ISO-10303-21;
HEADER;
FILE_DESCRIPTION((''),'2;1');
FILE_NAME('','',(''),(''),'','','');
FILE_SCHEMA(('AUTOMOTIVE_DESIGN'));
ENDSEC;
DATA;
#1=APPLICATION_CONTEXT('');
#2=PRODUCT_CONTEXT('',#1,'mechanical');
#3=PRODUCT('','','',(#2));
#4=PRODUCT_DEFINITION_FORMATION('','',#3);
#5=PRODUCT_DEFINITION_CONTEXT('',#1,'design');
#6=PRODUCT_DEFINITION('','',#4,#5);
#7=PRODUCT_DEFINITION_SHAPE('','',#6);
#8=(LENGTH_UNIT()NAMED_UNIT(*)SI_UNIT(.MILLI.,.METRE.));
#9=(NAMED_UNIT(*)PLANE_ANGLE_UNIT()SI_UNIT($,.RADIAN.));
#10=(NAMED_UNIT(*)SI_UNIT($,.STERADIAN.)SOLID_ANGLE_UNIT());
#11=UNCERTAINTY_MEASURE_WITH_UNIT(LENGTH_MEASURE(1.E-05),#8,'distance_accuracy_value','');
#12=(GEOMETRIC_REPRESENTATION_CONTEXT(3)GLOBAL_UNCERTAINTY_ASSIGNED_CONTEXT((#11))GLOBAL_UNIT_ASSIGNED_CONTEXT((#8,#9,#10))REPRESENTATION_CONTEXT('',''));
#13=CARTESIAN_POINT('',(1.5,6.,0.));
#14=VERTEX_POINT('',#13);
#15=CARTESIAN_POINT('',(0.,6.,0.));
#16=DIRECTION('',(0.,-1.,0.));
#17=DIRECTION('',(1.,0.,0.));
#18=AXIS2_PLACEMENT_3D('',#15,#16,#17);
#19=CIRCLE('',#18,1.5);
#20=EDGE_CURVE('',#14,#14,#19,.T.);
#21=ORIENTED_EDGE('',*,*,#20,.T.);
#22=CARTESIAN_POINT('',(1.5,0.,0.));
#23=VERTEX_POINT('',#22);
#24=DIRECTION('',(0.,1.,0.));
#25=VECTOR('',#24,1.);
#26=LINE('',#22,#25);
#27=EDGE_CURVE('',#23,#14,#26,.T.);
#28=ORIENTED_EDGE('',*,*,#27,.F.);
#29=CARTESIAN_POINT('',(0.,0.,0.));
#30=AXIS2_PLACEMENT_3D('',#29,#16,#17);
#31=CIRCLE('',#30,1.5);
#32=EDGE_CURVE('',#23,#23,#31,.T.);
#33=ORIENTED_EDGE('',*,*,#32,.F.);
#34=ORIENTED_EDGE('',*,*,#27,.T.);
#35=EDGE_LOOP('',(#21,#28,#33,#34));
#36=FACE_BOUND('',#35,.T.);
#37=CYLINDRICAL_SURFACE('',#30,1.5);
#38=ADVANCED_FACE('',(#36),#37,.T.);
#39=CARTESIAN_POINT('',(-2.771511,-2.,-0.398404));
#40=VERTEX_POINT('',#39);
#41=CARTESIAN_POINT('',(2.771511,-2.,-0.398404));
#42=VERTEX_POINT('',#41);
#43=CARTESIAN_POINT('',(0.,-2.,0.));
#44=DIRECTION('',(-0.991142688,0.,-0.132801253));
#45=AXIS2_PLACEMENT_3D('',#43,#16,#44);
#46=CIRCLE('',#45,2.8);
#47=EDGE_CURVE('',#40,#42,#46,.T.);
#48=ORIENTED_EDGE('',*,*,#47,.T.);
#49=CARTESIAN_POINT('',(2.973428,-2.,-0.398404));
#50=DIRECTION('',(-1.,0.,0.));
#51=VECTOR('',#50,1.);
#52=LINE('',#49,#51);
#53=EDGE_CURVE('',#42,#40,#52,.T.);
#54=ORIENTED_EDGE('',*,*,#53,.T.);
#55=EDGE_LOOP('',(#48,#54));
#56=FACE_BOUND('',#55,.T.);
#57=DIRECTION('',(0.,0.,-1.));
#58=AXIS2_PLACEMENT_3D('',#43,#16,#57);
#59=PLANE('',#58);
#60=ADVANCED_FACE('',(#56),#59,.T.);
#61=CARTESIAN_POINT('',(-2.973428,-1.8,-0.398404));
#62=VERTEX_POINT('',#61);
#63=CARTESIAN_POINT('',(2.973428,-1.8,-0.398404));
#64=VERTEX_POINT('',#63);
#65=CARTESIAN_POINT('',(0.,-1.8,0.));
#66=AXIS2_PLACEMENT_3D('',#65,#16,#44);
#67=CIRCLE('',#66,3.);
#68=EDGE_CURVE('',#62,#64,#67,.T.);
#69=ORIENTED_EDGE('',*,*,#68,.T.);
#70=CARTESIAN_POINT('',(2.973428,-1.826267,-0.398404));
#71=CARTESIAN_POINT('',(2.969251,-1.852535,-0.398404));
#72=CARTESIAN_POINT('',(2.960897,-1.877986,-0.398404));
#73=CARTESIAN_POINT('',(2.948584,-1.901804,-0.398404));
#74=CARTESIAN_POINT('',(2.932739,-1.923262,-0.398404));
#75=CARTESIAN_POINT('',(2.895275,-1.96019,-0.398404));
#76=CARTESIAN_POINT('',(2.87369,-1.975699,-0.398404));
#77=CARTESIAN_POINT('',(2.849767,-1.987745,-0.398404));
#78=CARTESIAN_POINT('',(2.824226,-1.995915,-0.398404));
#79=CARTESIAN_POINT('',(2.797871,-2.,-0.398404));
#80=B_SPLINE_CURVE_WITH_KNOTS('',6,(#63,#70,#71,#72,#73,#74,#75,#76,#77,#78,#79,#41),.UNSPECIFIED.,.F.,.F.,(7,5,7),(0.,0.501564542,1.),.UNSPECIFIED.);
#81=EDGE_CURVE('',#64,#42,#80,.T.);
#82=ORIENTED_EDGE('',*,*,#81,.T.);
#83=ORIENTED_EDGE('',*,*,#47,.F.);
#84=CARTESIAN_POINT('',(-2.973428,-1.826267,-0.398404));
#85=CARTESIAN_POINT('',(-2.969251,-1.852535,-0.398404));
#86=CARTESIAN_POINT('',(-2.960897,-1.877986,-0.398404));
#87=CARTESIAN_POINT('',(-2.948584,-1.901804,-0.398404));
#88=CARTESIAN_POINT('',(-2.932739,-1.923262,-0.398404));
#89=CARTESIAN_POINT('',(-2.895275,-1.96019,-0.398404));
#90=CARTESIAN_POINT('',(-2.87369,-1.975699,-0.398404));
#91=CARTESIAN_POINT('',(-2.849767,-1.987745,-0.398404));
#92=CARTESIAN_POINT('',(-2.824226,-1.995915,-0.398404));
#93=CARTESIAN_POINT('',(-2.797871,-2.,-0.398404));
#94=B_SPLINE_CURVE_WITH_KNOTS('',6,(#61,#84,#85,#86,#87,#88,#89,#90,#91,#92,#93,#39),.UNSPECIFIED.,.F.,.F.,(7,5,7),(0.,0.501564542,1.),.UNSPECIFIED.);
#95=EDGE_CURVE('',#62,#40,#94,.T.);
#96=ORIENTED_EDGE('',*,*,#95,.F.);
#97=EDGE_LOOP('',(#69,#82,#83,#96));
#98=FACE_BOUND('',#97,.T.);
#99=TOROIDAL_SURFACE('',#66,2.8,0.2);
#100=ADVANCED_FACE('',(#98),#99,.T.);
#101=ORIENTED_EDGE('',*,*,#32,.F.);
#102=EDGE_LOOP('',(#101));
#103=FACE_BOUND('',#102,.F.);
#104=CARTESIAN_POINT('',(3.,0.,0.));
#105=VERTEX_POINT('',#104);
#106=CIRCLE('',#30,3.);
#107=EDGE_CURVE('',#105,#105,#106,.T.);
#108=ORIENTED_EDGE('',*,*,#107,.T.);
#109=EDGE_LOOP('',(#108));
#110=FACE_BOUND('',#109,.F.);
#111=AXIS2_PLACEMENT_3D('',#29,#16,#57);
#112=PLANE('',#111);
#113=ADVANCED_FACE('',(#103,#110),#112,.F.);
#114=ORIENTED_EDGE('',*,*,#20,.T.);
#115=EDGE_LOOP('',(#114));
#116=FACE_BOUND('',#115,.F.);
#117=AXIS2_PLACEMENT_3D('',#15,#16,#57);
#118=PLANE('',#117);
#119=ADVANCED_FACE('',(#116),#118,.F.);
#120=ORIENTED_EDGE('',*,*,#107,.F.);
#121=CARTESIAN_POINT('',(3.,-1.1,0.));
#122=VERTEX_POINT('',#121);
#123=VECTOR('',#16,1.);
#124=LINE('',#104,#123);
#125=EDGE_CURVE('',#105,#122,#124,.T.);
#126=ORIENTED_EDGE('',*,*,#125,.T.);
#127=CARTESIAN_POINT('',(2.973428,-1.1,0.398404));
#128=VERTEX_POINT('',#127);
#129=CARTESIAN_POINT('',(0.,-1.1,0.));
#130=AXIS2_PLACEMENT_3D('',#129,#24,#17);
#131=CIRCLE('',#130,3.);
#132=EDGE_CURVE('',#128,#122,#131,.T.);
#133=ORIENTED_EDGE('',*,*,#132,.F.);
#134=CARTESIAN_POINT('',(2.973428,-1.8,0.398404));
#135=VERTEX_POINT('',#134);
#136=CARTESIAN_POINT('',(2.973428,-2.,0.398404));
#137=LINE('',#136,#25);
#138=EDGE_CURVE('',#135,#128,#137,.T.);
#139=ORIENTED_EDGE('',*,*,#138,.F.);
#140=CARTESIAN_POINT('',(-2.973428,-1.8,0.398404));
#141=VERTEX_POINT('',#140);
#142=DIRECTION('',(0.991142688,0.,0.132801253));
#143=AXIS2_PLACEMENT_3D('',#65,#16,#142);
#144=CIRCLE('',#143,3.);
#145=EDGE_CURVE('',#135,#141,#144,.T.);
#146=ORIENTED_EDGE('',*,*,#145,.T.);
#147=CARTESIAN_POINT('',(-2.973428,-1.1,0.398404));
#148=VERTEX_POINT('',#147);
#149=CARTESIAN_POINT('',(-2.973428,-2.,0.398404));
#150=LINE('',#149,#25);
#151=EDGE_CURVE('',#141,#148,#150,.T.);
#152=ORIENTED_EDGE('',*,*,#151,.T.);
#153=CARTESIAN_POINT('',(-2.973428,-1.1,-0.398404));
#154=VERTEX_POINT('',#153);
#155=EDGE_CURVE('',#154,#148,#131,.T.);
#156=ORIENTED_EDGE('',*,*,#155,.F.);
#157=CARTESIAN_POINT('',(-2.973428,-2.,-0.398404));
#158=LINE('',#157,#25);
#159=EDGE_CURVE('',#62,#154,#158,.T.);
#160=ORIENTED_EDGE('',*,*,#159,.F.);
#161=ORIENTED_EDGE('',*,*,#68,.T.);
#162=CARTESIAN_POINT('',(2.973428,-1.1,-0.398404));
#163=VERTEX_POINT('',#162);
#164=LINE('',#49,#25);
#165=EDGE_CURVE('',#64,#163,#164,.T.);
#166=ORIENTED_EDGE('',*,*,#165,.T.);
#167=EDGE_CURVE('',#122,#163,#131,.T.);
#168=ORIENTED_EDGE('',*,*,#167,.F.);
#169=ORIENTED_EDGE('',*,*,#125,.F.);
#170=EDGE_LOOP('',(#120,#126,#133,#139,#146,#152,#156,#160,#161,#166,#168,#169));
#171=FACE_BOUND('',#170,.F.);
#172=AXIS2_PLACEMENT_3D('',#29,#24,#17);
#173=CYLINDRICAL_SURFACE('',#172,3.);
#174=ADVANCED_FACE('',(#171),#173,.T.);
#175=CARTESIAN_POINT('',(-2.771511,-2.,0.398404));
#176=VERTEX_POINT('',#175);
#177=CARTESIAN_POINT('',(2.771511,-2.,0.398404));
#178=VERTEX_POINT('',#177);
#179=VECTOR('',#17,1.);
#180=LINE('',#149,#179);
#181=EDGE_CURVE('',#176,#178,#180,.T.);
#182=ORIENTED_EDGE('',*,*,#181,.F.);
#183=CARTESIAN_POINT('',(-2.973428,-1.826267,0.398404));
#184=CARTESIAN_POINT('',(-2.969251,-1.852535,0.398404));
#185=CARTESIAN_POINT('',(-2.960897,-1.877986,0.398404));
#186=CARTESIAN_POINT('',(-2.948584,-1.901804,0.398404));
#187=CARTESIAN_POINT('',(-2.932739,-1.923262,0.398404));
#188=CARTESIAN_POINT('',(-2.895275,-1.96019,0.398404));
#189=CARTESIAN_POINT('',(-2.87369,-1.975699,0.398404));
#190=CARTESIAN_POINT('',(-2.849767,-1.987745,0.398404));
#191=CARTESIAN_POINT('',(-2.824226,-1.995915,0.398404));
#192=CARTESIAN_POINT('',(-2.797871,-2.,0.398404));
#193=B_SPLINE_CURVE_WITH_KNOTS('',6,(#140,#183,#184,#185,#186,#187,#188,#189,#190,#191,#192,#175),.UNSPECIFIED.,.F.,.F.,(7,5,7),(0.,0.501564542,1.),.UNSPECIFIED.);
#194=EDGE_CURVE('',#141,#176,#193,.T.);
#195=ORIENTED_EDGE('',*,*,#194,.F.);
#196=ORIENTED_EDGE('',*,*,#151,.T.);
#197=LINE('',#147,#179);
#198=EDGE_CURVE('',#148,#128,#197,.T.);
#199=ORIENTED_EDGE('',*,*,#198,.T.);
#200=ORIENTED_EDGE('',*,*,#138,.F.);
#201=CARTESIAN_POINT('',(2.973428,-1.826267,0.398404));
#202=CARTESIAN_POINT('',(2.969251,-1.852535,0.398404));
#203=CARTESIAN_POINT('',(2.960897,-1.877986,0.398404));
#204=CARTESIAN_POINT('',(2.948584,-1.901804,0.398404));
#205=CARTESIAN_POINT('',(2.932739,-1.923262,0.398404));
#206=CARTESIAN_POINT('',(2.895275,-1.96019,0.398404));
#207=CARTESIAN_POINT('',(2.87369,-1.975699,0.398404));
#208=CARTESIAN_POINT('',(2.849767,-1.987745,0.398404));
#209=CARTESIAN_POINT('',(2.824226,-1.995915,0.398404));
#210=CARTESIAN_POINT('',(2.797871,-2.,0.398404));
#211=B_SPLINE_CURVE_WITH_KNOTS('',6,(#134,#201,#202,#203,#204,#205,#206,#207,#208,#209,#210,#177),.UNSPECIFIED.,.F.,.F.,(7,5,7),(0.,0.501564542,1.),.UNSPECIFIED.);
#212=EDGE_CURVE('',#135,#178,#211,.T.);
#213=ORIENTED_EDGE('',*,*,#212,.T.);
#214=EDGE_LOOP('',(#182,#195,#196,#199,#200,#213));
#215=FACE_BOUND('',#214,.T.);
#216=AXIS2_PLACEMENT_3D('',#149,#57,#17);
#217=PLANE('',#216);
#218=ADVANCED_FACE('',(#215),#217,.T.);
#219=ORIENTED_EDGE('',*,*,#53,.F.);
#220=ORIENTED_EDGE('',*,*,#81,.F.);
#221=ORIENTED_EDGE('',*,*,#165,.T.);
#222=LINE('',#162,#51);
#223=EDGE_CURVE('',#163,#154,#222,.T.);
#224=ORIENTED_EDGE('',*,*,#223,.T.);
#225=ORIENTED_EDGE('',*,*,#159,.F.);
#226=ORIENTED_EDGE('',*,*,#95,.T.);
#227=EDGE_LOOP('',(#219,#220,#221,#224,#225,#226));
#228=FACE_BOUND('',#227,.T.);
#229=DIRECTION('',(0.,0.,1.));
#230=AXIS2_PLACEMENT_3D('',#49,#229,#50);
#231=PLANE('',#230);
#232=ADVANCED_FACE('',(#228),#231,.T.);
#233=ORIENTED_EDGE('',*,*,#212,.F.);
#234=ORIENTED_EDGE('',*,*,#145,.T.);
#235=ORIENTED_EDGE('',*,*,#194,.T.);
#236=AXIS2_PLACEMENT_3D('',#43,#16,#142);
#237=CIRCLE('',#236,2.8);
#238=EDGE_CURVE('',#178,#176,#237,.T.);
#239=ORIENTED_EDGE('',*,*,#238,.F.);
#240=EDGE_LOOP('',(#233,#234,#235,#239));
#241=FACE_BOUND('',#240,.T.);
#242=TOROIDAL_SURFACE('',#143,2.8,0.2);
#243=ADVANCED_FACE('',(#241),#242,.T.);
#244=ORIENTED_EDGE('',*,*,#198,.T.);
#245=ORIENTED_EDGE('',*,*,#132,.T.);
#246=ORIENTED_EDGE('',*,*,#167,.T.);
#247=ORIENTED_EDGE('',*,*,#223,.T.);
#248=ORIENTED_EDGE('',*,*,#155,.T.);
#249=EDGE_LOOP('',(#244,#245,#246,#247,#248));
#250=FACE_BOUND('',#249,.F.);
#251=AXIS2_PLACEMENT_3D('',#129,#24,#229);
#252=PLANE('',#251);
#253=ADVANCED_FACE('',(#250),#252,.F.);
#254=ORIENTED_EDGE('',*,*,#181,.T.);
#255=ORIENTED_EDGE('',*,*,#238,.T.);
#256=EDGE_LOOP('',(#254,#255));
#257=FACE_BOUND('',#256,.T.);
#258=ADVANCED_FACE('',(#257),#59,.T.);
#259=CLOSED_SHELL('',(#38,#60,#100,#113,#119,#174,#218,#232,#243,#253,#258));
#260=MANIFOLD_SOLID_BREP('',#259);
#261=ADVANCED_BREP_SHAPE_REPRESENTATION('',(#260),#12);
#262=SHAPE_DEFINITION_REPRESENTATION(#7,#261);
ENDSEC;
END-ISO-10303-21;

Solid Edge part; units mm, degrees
sketch "Sketch1" plane through (0, 0, 0) normal (0, -1, 0) x (1, 0, 0)
  circle A0 centre (0, 0) radius 1.5
extrude "Protrusion1" add sketch "Sketch1" against normal blind 6
sketch "Sketch2" plane through (0, 0, 0) normal (0, -1, 0) x (1, 0, 0)
  circle A0 centre (0, 0) radius 3
extrude "ExtrudedProtrusion_2" add sketch "Sketch2" along normal blind 2
cosmetic_thread "Thread1" size "M3"
sketch "Sketch3" plane through (0, -2, 0) normal (0, -1, 0) x (1, 0, 0)
  line L0 (2.9734, -0.3984) -> (-2.9734, -0.3984)
  line L1 (-2.9734, 0.3984) -> (2.9734, 0.3984)
  arc A0 (2.9734, 0.3984) -> (2.9734, -0.3984) centre (0, 0) cw
  arc A1 (-2.9734, -0.3984) -> (-2.9734, 0.3984) centre (0, 0) cw
extrude "ExtrudedCutout_1" cut sketch "Sketch3" against normal blind 0.9
fillet "Round_1" radius 0.2 2 edges at (0, -2, -3) (0, -2, 3)
properties material "Nylon, general purpose"
